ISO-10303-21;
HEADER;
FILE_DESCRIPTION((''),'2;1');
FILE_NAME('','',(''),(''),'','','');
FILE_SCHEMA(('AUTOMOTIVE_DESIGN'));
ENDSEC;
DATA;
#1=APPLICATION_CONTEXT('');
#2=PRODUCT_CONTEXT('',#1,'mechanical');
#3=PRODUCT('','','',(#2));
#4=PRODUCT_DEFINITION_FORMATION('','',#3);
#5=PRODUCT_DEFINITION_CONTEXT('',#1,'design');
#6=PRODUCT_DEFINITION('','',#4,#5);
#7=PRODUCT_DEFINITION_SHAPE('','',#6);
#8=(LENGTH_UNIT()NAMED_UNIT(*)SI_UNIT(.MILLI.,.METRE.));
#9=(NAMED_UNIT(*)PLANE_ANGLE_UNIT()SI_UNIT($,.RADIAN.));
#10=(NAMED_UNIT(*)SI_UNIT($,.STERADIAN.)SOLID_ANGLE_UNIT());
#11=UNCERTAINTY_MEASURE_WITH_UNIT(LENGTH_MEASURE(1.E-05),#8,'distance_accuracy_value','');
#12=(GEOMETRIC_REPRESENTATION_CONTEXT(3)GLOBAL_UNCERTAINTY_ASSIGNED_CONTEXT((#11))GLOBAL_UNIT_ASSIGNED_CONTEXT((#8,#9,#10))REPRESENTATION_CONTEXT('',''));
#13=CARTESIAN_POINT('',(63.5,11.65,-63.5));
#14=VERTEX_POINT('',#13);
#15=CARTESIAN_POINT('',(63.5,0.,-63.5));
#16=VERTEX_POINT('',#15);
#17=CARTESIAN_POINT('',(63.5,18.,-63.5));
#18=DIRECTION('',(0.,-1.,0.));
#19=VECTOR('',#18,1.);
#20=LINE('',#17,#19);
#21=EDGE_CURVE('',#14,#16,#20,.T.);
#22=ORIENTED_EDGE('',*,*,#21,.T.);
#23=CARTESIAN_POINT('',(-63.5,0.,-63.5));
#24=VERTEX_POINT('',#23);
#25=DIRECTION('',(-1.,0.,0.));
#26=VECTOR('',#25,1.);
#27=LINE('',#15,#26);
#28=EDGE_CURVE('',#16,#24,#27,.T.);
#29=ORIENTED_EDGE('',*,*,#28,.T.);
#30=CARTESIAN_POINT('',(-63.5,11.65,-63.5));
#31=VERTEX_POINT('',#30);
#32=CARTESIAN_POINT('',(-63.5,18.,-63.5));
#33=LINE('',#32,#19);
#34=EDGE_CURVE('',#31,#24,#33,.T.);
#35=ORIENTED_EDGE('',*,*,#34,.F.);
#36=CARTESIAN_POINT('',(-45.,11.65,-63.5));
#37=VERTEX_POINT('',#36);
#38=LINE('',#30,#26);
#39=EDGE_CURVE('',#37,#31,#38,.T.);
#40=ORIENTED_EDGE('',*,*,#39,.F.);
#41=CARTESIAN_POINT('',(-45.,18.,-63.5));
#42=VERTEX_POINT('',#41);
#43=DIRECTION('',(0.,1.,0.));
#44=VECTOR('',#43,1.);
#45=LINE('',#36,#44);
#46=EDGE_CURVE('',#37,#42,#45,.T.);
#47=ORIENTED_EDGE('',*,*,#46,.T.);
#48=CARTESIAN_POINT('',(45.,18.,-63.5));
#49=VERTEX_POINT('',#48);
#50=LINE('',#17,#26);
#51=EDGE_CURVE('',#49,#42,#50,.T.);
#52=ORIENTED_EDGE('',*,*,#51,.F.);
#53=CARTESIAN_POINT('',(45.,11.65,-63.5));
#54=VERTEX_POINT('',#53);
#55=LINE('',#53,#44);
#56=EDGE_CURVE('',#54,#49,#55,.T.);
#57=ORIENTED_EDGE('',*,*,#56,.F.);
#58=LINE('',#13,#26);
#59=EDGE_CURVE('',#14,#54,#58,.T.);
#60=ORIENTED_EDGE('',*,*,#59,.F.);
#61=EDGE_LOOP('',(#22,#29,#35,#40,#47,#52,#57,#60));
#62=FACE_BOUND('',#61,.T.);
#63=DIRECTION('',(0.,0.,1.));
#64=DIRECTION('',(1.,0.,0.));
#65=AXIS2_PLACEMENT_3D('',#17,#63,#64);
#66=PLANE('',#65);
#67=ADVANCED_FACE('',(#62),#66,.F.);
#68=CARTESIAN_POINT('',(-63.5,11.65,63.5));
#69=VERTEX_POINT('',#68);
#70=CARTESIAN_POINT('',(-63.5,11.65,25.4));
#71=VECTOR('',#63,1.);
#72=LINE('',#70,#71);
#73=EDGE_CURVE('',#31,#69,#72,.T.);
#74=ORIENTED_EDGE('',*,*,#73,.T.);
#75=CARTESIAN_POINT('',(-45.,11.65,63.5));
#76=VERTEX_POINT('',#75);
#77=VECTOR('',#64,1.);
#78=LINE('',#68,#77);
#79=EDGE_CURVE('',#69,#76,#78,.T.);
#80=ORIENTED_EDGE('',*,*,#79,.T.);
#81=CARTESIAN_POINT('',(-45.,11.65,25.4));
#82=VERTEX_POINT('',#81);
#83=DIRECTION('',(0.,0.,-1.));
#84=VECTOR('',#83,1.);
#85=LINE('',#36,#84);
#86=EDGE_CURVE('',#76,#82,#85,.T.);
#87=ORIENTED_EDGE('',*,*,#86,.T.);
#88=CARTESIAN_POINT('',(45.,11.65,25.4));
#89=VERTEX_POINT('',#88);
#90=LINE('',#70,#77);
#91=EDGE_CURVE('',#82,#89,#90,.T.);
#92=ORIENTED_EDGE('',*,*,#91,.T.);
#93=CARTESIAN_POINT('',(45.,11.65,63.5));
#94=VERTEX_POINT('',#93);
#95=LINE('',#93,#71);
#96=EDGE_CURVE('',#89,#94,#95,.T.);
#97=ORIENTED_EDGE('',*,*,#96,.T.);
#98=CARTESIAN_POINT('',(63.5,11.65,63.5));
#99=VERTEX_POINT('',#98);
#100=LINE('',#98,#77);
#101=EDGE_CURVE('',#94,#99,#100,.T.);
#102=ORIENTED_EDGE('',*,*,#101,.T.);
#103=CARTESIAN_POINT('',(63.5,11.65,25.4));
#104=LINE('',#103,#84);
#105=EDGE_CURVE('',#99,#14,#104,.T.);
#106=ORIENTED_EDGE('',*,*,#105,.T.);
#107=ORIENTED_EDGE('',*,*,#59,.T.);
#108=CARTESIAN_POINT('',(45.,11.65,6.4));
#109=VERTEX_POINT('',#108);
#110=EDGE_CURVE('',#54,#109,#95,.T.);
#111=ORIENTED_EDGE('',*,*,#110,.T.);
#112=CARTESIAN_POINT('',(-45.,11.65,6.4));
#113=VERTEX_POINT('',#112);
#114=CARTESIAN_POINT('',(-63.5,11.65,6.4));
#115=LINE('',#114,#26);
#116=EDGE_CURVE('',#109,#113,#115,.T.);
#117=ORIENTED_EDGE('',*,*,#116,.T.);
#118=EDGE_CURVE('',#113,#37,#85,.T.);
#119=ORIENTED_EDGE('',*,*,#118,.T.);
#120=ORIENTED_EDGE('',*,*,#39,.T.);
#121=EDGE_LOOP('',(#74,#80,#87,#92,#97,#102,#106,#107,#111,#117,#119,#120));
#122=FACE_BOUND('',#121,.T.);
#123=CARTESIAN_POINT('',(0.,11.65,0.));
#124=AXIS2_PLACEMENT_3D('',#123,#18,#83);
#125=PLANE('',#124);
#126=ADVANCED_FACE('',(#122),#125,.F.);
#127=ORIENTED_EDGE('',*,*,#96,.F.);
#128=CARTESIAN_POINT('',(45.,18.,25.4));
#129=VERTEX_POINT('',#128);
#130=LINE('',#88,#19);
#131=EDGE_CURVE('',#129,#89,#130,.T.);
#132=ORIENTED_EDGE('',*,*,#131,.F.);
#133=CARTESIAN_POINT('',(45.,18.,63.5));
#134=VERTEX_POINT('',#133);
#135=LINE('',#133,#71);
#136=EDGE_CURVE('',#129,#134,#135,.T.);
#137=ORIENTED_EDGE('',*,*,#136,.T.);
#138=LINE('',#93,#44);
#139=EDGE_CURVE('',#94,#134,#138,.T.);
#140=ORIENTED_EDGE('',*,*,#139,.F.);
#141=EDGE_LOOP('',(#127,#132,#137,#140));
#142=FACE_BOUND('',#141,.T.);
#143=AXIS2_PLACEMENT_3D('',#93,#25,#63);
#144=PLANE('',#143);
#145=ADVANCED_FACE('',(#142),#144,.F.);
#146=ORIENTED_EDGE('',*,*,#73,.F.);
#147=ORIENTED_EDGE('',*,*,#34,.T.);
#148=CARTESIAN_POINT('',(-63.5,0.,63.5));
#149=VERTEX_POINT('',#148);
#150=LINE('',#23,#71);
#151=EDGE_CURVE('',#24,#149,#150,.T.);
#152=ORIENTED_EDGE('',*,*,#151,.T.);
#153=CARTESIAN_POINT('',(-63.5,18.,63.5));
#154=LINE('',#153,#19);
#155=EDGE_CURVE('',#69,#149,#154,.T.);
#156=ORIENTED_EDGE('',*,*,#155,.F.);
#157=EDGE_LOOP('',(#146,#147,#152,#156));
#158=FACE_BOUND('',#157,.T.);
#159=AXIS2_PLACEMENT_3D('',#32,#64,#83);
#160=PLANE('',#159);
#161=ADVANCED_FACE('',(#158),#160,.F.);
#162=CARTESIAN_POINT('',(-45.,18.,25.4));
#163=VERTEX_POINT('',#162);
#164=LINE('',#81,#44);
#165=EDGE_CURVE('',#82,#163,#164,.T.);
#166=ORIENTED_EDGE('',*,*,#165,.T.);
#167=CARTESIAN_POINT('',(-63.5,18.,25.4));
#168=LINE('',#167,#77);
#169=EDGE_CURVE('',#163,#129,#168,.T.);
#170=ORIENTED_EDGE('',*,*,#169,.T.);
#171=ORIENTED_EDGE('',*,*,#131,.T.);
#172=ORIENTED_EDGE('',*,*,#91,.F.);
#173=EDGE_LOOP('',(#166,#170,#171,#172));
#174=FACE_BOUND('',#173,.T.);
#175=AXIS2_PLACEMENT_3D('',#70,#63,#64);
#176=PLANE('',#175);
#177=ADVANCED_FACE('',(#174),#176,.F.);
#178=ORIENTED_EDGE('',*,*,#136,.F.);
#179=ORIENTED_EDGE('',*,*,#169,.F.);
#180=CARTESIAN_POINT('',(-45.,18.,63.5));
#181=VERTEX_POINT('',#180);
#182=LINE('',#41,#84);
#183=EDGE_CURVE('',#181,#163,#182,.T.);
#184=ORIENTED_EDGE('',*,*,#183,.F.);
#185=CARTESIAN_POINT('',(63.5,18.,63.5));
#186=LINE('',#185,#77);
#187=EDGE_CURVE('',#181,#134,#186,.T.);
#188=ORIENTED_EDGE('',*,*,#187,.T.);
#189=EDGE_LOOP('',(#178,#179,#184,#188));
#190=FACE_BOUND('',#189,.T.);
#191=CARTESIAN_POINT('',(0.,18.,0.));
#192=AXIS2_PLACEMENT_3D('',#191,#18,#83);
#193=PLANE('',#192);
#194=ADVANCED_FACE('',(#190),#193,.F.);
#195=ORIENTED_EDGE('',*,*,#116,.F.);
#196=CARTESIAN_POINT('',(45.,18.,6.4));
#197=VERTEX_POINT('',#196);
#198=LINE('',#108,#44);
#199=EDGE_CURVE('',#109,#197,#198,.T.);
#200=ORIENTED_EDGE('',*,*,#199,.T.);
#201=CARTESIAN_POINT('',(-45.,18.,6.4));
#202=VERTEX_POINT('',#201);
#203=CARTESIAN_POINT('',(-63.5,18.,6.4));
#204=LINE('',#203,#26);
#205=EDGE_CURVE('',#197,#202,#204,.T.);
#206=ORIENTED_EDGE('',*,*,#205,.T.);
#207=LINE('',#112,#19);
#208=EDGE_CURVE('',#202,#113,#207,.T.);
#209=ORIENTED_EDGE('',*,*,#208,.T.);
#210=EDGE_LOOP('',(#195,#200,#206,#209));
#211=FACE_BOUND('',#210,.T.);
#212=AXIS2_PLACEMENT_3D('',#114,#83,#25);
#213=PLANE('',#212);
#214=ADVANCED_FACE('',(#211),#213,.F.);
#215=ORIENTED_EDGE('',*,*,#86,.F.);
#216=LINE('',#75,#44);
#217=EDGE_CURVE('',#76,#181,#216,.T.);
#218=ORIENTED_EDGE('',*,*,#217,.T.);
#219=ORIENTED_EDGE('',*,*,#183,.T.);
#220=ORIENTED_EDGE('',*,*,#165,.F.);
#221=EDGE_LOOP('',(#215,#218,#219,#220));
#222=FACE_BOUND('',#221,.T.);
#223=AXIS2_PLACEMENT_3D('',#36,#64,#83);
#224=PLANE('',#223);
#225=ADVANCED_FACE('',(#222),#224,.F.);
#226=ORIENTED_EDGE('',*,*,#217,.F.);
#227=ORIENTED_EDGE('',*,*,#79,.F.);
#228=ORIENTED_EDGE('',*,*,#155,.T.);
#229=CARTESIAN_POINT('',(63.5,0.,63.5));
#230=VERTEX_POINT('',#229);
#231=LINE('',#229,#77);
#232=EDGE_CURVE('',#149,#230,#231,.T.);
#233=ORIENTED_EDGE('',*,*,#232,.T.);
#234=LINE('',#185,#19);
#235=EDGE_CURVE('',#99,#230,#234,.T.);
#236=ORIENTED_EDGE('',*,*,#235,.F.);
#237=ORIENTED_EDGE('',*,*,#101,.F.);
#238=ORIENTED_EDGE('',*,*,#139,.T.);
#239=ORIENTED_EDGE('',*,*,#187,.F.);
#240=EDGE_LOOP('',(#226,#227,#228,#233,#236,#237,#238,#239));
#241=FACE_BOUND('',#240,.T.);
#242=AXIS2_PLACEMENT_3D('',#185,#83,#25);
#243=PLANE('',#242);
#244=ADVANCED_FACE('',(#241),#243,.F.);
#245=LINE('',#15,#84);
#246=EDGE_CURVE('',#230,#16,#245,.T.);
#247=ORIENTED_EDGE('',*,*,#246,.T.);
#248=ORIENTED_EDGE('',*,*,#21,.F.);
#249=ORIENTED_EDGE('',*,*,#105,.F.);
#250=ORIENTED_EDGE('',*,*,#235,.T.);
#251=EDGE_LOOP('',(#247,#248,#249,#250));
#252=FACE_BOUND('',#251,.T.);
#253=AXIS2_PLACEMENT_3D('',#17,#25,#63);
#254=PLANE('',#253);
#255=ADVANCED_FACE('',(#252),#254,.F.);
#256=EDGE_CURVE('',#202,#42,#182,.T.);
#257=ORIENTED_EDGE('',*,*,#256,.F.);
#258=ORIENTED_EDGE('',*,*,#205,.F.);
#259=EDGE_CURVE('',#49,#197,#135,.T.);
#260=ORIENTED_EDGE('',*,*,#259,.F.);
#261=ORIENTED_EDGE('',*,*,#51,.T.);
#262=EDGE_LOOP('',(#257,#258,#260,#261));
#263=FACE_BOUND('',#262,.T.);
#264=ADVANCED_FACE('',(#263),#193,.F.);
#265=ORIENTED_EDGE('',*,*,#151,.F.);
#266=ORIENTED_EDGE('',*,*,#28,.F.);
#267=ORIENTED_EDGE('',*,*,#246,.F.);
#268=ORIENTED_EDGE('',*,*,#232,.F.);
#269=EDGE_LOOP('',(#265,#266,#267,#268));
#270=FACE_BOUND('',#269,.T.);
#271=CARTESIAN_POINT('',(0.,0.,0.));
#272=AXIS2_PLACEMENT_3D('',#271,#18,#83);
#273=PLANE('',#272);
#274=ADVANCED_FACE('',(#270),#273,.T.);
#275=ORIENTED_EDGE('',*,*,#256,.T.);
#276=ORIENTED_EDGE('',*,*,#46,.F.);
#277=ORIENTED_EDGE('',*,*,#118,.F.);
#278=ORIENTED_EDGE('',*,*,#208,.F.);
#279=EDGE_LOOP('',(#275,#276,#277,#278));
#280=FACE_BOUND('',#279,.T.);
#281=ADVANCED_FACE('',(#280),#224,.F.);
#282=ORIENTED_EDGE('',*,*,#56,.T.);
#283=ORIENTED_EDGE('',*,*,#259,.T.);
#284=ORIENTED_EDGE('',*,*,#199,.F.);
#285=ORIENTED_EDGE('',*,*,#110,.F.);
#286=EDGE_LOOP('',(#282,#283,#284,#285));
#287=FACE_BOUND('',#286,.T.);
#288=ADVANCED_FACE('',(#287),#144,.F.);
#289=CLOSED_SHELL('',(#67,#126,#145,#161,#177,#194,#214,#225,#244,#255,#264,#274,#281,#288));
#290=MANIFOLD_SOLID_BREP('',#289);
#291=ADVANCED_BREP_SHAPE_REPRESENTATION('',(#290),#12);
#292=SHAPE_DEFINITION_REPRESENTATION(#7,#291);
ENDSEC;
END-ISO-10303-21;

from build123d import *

# Parameters (mm, degrees)
SKETCH1_W           = 127
SKETCH1_H           = 127
BOSS_EXTRUDE1_DEPTH = 18
SKETCH2_W           = 127
SKETCH2_H           = 19
CUT_EXTRUDE1_DEPTH  = 6.35
SKETCH3_W           = 18.5
SKETCH3_H           = 127
CUT_EXTRUDE2_DEPTH  = 6.35


with BuildPart() as part:
    # Sketch1 → Boss-Extrude1 (new body)
    with BuildSketch(Plane(origin=(0, 0, 0), x_dir=(1, 0, 0), z_dir=(0, 1, 0))):
        Rectangle(SKETCH1_W, SKETCH1_H)
    extrude(amount=BOSS_EXTRUDE1_DEPTH)

    # Sketch2 → Cut-Extrude1 (cut)
    with BuildSketch(Plane(origin=(0, 18, 0), x_dir=(1, 0, 0), z_dir=(0, 1, 0))):
        with Locations((0, -15.9)):
            Rectangle(SKETCH2_W, SKETCH2_H)
    extrude(amount=-CUT_EXTRUDE1_DEPTH, mode=Mode.SUBTRACT)

    # Sketch3 → Cut-Extrude2 (cut)
    with BuildSketch(Plane(origin=(0, 18, 0), x_dir=(1, 0, 0), z_dir=(0, 1, 0))):
        with Locations((54.25, 0)):
            Rectangle(SKETCH3_W, SKETCH3_H)
        with Locations((-54.25, 0)):
            Rectangle(SKETCH3_W, SKETCH3_H)
    extrude(amount=-CUT_EXTRUDE2_DEPTH, mode=Mode.SUBTRACT)


solid = part.part
